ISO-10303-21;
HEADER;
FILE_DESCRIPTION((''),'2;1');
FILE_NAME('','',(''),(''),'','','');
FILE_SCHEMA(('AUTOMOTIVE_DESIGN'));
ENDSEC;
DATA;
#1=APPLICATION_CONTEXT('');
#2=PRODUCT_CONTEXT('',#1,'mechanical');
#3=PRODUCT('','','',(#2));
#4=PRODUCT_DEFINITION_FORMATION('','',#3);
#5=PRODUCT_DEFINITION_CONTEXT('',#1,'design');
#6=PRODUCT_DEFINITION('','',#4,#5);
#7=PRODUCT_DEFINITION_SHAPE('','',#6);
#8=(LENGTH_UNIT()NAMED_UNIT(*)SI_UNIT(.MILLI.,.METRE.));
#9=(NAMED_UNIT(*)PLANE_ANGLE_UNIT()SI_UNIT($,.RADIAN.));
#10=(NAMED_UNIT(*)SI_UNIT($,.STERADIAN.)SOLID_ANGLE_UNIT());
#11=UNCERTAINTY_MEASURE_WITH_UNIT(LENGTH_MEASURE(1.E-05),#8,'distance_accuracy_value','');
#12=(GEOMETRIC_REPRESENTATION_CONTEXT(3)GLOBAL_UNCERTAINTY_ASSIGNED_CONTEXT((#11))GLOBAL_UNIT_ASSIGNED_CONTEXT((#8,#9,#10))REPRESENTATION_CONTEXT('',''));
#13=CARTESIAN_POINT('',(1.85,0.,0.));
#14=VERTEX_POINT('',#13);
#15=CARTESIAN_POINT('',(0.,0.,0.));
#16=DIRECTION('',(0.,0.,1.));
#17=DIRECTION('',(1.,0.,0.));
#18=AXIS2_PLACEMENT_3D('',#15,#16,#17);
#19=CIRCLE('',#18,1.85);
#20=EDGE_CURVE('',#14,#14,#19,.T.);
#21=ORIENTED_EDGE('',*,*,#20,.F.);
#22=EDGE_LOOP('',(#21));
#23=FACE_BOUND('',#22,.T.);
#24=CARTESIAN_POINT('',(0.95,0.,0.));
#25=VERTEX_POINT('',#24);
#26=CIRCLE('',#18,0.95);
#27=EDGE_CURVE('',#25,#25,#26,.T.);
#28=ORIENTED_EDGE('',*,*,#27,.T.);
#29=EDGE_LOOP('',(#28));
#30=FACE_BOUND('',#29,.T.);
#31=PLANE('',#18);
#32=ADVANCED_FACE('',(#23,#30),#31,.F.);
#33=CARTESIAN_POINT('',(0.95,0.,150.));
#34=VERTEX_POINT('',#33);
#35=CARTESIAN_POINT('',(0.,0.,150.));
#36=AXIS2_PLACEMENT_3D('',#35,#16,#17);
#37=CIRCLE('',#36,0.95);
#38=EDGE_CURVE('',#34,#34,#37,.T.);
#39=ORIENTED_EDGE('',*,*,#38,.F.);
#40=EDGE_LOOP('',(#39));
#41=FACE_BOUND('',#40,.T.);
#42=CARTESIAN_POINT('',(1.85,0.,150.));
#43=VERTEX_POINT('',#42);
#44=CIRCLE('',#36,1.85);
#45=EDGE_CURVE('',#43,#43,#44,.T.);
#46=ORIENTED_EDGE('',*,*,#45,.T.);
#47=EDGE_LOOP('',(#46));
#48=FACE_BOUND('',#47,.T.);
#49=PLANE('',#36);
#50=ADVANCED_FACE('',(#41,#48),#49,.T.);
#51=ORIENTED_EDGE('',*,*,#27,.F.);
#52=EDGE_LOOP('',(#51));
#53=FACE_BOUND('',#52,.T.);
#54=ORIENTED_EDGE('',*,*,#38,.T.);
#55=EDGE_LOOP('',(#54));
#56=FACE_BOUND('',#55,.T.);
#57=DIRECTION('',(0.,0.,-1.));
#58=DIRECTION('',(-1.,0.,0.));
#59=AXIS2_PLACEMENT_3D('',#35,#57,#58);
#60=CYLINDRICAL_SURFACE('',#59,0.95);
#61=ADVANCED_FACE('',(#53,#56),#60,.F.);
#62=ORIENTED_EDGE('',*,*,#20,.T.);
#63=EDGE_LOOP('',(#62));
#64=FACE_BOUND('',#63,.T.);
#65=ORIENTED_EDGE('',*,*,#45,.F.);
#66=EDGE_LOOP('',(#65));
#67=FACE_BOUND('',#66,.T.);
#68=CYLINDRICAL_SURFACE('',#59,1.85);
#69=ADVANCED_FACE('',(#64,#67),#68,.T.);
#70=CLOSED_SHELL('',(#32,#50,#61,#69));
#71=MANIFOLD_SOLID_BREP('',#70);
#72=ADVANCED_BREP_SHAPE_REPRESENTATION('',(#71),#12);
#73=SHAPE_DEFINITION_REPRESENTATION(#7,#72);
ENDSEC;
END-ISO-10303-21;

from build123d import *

# Parameters (mm, degrees)
CROQUIS1_R              = 1.85
CROQUIS1_R_2            = 0.95
SALIENTE_EXTRUIR1_DEPTH = 150


with BuildPart() as part:
    # Croquis1 → Saliente-Extruir1 (new body)
    with BuildSketch(Plane.XY):
        Circle(CROQUIS1_R)
        Circle(CROQUIS1_R_2, mode=Mode.SUBTRACT)
    extrude(amount=SALIENTE_EXTRUIR1_DEPTH)


solid = part.part
